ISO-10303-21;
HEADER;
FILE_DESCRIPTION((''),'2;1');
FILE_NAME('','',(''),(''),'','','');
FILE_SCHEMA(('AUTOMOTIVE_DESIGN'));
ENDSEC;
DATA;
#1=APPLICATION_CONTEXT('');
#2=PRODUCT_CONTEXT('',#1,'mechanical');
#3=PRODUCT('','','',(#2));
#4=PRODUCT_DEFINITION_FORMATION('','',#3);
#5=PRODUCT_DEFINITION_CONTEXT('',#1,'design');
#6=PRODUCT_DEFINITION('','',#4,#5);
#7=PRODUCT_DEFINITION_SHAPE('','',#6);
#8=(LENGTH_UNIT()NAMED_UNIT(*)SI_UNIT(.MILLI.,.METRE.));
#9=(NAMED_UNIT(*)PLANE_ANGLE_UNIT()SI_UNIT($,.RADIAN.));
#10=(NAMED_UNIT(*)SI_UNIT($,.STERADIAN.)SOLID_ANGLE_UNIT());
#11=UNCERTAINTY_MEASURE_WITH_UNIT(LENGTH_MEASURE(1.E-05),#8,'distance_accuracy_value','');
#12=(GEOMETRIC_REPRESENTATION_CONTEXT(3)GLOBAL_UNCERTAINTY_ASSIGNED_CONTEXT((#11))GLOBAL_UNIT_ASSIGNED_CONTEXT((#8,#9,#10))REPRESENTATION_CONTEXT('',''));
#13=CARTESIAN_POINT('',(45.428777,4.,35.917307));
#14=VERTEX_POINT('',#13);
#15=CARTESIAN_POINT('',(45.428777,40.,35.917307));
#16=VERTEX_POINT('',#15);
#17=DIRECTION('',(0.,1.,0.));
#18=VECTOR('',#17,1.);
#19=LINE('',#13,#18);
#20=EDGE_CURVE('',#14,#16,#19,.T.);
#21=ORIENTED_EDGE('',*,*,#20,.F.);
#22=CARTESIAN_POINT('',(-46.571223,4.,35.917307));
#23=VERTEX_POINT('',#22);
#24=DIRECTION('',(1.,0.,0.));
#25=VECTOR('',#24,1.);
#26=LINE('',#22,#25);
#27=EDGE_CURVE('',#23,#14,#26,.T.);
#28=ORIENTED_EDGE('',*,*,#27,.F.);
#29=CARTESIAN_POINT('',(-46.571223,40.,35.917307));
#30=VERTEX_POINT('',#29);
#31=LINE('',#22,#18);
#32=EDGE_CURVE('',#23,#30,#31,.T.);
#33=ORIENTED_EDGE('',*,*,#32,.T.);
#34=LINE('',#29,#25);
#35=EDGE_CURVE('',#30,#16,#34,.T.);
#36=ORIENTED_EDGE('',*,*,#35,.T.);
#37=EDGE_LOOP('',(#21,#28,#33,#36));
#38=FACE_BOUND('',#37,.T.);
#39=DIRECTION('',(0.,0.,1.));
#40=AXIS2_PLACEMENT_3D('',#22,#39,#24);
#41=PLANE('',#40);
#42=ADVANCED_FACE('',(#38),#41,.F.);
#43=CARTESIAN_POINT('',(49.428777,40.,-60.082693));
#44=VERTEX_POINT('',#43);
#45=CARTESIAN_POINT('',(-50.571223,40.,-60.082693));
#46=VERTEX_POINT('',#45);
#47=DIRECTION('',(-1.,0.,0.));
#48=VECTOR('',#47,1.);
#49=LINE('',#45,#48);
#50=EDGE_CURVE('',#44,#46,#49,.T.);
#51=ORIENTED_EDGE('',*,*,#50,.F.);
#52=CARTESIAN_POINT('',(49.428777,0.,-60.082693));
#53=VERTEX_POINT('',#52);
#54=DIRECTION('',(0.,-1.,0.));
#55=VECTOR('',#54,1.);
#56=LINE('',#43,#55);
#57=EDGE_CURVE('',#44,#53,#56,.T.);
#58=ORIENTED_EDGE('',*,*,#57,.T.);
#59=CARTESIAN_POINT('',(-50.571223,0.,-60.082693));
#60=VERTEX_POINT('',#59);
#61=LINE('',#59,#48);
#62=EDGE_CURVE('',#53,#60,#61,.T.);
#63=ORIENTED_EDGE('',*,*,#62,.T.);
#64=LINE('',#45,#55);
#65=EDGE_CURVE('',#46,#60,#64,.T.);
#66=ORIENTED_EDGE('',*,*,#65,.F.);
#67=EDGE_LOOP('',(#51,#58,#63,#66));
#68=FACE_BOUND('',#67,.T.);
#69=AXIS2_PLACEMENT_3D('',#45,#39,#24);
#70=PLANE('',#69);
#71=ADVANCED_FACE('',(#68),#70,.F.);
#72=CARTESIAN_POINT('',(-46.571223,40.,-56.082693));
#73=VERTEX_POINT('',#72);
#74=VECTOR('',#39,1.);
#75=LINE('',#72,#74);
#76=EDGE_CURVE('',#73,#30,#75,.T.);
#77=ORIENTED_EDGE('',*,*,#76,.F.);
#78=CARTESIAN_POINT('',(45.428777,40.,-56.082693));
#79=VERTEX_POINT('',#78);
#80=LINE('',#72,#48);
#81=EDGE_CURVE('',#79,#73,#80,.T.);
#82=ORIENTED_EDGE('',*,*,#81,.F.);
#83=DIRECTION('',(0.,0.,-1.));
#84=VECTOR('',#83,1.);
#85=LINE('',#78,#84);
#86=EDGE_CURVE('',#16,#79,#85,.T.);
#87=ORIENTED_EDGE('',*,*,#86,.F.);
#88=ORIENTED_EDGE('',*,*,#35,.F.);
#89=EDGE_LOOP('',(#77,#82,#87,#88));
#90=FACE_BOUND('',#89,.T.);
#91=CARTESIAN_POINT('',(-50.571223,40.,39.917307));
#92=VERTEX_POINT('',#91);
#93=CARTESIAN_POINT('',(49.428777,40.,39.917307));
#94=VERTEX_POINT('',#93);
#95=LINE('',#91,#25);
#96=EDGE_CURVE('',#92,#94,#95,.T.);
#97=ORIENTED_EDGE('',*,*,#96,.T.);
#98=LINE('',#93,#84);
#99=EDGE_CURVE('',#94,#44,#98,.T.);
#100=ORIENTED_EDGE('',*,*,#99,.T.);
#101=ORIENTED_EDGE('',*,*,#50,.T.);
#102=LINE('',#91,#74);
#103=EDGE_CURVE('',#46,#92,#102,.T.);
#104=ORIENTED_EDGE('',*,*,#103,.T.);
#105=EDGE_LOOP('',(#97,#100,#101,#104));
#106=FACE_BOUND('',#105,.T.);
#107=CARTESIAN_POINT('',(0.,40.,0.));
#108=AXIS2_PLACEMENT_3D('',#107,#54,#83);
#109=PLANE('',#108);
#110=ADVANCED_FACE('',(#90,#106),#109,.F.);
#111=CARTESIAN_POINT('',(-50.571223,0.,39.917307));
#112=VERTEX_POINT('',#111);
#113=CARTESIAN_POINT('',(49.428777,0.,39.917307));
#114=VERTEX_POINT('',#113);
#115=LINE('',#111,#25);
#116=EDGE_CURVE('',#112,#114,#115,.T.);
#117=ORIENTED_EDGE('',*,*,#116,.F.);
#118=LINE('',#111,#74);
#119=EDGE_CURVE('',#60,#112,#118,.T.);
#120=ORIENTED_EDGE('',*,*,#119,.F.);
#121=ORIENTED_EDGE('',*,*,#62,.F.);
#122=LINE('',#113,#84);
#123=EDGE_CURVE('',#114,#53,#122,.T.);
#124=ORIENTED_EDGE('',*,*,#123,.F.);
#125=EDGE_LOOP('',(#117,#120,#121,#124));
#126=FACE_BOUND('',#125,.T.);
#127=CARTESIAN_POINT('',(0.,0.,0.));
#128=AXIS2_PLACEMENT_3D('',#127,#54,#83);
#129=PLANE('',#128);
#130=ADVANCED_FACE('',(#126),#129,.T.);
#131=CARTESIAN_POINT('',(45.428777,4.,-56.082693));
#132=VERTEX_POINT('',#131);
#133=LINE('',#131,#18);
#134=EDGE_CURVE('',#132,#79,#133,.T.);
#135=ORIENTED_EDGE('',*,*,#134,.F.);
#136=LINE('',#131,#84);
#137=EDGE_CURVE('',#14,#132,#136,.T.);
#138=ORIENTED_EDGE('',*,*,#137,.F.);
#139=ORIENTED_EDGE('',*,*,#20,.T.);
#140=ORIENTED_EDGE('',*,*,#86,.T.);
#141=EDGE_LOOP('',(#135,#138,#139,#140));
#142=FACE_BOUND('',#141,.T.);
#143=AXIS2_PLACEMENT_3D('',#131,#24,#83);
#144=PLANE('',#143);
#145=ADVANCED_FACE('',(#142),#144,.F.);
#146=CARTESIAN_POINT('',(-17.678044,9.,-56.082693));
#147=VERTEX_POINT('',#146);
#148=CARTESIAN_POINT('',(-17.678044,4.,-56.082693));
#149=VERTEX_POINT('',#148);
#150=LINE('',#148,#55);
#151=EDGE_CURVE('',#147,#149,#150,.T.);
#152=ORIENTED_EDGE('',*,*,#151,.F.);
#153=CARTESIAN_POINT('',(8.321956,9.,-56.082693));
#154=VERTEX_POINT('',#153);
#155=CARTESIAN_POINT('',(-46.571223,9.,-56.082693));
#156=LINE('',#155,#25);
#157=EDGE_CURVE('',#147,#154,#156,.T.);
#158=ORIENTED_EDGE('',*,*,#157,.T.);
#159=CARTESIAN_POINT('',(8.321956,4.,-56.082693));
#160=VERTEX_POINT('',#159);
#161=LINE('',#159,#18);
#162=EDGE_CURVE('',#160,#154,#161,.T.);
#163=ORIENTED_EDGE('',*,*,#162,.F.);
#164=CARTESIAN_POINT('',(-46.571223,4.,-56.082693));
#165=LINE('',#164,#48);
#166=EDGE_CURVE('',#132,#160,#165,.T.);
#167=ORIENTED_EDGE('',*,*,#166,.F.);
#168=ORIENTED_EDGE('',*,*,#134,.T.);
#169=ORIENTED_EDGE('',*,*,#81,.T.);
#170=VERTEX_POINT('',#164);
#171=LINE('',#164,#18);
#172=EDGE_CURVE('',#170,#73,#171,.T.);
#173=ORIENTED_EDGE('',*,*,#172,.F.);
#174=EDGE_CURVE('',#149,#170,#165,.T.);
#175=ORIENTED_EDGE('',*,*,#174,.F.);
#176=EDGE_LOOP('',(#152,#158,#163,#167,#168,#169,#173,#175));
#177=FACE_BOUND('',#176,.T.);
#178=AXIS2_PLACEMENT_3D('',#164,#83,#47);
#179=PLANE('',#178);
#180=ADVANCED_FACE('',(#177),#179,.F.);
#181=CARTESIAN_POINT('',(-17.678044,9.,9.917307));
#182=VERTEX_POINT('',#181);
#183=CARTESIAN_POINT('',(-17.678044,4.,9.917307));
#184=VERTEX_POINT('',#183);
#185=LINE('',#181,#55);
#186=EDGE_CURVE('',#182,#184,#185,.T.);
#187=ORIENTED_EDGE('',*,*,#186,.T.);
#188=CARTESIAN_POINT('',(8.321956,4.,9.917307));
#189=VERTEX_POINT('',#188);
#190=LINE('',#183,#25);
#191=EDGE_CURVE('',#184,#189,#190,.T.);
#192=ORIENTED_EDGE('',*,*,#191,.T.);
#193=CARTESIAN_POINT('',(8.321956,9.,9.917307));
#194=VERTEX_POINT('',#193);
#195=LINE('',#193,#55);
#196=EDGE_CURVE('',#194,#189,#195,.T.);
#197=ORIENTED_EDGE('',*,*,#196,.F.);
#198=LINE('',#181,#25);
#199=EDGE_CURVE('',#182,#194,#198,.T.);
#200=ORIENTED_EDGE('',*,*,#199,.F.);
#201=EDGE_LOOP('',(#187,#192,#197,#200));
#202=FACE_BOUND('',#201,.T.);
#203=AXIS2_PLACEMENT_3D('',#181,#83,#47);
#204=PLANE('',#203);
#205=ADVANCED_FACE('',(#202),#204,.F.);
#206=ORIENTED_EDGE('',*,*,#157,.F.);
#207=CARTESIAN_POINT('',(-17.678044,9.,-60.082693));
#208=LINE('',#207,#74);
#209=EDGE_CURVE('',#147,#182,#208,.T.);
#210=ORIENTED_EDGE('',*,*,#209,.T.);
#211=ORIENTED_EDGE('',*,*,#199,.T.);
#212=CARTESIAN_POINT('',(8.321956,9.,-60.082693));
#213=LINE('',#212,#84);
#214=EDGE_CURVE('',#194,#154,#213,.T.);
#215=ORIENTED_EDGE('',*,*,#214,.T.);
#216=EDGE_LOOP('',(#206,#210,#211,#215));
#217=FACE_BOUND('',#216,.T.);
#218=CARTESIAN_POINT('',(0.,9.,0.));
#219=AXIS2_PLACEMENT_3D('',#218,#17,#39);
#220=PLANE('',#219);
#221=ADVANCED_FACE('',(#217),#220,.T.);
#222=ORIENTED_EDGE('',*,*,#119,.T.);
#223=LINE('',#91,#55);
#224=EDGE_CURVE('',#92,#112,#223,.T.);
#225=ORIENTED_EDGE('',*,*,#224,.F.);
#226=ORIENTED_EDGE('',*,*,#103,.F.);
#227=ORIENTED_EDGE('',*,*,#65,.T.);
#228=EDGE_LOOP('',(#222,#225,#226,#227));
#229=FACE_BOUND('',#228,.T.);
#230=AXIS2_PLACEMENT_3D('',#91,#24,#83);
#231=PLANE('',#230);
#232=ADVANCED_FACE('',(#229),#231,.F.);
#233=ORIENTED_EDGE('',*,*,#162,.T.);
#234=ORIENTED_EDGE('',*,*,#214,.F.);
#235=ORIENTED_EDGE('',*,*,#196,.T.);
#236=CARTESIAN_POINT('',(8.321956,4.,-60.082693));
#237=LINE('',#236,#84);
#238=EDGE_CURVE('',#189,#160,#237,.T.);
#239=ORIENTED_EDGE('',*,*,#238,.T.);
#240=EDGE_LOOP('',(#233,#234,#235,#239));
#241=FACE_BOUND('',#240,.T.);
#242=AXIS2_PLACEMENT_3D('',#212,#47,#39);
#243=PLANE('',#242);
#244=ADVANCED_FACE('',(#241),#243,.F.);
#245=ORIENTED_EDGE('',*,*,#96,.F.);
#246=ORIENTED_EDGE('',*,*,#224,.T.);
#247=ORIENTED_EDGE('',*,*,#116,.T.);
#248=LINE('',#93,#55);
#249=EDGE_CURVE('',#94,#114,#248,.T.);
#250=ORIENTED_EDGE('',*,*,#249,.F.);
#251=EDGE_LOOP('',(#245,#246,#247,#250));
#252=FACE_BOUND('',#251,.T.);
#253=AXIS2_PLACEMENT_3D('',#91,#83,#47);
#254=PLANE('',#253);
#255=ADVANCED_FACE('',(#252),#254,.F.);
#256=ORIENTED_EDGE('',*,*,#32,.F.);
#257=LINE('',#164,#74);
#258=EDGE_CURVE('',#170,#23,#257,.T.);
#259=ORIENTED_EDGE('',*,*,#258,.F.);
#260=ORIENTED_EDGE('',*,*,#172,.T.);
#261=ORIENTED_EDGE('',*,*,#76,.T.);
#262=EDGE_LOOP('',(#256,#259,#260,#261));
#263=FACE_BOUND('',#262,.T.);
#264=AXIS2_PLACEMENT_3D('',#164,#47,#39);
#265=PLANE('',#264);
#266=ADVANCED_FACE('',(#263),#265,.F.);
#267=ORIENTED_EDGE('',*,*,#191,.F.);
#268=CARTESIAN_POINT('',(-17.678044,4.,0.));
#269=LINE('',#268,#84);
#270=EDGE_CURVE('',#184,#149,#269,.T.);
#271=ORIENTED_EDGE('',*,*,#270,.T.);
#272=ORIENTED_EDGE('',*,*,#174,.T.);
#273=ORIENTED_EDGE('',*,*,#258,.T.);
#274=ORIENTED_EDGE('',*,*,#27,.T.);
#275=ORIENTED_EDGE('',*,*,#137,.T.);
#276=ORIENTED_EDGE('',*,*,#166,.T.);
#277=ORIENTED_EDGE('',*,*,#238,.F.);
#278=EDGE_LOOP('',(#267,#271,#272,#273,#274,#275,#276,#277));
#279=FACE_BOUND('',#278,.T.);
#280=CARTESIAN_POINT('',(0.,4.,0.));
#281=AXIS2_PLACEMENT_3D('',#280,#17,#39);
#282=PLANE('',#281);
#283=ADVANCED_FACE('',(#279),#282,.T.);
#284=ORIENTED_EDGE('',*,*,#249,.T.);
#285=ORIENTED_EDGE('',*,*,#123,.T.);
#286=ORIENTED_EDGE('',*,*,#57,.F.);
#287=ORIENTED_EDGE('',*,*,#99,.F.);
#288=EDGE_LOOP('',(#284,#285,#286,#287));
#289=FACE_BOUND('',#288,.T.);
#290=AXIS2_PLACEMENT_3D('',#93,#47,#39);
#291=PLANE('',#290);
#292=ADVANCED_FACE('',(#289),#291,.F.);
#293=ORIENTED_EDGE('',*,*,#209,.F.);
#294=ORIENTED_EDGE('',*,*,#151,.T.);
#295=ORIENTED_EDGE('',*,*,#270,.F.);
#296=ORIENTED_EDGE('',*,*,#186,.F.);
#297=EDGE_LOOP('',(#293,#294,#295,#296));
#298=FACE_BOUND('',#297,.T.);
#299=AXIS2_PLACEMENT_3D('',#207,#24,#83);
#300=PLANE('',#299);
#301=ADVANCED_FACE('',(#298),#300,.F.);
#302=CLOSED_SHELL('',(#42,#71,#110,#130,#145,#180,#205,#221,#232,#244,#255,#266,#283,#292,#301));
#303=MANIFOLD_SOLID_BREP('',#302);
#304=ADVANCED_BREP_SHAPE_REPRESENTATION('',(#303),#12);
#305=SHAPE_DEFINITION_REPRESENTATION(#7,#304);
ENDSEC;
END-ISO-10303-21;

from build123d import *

# Parameters (mm, degrees)
SKETCH1_W           = 100
SKETCH1_H           = 100
BOSS_EXTRUDE1_DEPTH = 40
SKETCH2_W           = 92
SKETCH2_H           = 92
CUT_EXTRUDE1_DEPTH  = 36
SKETCH3_W           = 26
SKETCH3_H           = 70
BOSS_EXTRUDE2_DEPTH = 5


with BuildPart() as part:
    # Sketch1 → Boss-Extrude1 (new body)
    with BuildSketch(Plane(origin=(0, 0, 0), x_dir=(1, 0, 0), z_dir=(0, 1, 0))):
        with Locations((-0.571222942, 10.082692781)):
            Rectangle(SKETCH1_W, SKETCH1_H)
    extrude(amount=BOSS_EXTRUDE1_DEPTH)

    # Sketch2 → Cut-Extrude1 (cut)
    with BuildSketch(Plane(origin=(0, 40, 0), x_dir=(1, 0, 0), z_dir=(0, 1, 0))):
        with Locations((-0.571222942, 10.082692781)):
            Rectangle(SKETCH2_W, SKETCH2_H)
    extrude(amount=-CUT_EXTRUDE1_DEPTH, mode=Mode.SUBTRACT)

    # Sketch3 → Boss-Extrude2 (add)
    with BuildSketch(Plane(origin=(0, 4, 0), x_dir=(1, 0, 0), z_dir=(0, 1, 0))):
        with Locations((-4.678043983, 25.082692781)):
            Rectangle(SKETCH3_W, SKETCH3_H)
    extrude(amount=BOSS_EXTRUDE2_DEPTH)


solid = part.part
